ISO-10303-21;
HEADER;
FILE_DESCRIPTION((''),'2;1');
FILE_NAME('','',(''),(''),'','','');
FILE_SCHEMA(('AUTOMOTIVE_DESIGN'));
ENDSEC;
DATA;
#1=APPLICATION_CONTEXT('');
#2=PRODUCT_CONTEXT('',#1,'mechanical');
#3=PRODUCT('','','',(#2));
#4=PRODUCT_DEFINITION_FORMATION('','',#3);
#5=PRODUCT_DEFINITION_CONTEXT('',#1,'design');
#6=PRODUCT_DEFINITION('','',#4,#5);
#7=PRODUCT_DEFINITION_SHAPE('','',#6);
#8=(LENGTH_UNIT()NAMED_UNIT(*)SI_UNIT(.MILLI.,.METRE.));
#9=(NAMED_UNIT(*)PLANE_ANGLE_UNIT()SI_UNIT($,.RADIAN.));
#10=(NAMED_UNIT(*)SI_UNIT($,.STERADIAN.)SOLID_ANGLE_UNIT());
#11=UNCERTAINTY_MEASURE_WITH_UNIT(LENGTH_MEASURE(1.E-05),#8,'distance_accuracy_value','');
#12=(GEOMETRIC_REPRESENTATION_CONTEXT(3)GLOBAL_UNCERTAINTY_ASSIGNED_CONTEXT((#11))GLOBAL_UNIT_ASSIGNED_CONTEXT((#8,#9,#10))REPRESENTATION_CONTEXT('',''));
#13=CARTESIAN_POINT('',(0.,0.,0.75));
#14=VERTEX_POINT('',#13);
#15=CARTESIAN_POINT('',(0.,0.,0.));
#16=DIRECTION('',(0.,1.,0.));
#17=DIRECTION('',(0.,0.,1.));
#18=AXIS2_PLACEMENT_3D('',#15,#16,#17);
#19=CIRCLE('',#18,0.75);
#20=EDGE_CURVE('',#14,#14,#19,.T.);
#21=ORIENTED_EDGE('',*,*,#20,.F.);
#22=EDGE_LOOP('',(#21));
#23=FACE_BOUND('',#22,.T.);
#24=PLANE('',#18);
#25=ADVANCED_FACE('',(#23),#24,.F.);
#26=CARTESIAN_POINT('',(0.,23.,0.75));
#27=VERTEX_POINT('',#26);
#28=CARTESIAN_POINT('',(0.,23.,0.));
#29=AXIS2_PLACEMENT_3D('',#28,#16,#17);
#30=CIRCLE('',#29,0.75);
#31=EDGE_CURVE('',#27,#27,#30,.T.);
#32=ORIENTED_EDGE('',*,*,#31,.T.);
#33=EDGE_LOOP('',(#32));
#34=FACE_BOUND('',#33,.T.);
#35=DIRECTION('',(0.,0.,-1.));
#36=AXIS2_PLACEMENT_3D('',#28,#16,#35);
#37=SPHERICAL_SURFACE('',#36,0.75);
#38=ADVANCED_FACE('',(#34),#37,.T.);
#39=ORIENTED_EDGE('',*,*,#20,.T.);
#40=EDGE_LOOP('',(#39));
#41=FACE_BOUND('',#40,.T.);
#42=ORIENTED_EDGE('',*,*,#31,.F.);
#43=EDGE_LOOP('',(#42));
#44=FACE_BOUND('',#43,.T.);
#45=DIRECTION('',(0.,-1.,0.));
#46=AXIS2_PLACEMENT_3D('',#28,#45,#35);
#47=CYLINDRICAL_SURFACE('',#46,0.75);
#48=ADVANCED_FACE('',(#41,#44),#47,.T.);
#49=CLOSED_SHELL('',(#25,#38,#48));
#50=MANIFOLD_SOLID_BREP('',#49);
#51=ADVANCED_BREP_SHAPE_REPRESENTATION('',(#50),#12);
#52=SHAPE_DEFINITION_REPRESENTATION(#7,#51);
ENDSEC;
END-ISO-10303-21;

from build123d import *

# Parameters (mm, degrees)
SKETCH_1_R      = 0.75
EXTRUDE_1_DEPTH = 23


with BuildPart() as part:
    # 草图1 → 凸台-拉伸1 (new body)
    with BuildSketch(Plane(origin=(0, 0, 0), x_dir=(1, 0, 0), z_dir=(0, 1, 0))):
        with Locations(Location((0, 0, 0), (0, 0, 270))):
            Circle(SKETCH_1_R)
    extrude(amount=EXTRUDE_1_DEPTH)

    # 草图2 → 旋转1 (revolve)
    with BuildSketch(Plane(origin=(0, 0, 0), x_dir=(0, 0, -1), z_dir=(1, 0, 0))):
        with BuildLine():
            Line((0, 23.75), (0, 22.25))
            ThreePointArc((0, 22.25), (0.75, 23), (0, 23.75))
        make_face()
    revolve(axis=Axis((0, 23.75, 0), (0, -1, 0)))


solid = part.part
